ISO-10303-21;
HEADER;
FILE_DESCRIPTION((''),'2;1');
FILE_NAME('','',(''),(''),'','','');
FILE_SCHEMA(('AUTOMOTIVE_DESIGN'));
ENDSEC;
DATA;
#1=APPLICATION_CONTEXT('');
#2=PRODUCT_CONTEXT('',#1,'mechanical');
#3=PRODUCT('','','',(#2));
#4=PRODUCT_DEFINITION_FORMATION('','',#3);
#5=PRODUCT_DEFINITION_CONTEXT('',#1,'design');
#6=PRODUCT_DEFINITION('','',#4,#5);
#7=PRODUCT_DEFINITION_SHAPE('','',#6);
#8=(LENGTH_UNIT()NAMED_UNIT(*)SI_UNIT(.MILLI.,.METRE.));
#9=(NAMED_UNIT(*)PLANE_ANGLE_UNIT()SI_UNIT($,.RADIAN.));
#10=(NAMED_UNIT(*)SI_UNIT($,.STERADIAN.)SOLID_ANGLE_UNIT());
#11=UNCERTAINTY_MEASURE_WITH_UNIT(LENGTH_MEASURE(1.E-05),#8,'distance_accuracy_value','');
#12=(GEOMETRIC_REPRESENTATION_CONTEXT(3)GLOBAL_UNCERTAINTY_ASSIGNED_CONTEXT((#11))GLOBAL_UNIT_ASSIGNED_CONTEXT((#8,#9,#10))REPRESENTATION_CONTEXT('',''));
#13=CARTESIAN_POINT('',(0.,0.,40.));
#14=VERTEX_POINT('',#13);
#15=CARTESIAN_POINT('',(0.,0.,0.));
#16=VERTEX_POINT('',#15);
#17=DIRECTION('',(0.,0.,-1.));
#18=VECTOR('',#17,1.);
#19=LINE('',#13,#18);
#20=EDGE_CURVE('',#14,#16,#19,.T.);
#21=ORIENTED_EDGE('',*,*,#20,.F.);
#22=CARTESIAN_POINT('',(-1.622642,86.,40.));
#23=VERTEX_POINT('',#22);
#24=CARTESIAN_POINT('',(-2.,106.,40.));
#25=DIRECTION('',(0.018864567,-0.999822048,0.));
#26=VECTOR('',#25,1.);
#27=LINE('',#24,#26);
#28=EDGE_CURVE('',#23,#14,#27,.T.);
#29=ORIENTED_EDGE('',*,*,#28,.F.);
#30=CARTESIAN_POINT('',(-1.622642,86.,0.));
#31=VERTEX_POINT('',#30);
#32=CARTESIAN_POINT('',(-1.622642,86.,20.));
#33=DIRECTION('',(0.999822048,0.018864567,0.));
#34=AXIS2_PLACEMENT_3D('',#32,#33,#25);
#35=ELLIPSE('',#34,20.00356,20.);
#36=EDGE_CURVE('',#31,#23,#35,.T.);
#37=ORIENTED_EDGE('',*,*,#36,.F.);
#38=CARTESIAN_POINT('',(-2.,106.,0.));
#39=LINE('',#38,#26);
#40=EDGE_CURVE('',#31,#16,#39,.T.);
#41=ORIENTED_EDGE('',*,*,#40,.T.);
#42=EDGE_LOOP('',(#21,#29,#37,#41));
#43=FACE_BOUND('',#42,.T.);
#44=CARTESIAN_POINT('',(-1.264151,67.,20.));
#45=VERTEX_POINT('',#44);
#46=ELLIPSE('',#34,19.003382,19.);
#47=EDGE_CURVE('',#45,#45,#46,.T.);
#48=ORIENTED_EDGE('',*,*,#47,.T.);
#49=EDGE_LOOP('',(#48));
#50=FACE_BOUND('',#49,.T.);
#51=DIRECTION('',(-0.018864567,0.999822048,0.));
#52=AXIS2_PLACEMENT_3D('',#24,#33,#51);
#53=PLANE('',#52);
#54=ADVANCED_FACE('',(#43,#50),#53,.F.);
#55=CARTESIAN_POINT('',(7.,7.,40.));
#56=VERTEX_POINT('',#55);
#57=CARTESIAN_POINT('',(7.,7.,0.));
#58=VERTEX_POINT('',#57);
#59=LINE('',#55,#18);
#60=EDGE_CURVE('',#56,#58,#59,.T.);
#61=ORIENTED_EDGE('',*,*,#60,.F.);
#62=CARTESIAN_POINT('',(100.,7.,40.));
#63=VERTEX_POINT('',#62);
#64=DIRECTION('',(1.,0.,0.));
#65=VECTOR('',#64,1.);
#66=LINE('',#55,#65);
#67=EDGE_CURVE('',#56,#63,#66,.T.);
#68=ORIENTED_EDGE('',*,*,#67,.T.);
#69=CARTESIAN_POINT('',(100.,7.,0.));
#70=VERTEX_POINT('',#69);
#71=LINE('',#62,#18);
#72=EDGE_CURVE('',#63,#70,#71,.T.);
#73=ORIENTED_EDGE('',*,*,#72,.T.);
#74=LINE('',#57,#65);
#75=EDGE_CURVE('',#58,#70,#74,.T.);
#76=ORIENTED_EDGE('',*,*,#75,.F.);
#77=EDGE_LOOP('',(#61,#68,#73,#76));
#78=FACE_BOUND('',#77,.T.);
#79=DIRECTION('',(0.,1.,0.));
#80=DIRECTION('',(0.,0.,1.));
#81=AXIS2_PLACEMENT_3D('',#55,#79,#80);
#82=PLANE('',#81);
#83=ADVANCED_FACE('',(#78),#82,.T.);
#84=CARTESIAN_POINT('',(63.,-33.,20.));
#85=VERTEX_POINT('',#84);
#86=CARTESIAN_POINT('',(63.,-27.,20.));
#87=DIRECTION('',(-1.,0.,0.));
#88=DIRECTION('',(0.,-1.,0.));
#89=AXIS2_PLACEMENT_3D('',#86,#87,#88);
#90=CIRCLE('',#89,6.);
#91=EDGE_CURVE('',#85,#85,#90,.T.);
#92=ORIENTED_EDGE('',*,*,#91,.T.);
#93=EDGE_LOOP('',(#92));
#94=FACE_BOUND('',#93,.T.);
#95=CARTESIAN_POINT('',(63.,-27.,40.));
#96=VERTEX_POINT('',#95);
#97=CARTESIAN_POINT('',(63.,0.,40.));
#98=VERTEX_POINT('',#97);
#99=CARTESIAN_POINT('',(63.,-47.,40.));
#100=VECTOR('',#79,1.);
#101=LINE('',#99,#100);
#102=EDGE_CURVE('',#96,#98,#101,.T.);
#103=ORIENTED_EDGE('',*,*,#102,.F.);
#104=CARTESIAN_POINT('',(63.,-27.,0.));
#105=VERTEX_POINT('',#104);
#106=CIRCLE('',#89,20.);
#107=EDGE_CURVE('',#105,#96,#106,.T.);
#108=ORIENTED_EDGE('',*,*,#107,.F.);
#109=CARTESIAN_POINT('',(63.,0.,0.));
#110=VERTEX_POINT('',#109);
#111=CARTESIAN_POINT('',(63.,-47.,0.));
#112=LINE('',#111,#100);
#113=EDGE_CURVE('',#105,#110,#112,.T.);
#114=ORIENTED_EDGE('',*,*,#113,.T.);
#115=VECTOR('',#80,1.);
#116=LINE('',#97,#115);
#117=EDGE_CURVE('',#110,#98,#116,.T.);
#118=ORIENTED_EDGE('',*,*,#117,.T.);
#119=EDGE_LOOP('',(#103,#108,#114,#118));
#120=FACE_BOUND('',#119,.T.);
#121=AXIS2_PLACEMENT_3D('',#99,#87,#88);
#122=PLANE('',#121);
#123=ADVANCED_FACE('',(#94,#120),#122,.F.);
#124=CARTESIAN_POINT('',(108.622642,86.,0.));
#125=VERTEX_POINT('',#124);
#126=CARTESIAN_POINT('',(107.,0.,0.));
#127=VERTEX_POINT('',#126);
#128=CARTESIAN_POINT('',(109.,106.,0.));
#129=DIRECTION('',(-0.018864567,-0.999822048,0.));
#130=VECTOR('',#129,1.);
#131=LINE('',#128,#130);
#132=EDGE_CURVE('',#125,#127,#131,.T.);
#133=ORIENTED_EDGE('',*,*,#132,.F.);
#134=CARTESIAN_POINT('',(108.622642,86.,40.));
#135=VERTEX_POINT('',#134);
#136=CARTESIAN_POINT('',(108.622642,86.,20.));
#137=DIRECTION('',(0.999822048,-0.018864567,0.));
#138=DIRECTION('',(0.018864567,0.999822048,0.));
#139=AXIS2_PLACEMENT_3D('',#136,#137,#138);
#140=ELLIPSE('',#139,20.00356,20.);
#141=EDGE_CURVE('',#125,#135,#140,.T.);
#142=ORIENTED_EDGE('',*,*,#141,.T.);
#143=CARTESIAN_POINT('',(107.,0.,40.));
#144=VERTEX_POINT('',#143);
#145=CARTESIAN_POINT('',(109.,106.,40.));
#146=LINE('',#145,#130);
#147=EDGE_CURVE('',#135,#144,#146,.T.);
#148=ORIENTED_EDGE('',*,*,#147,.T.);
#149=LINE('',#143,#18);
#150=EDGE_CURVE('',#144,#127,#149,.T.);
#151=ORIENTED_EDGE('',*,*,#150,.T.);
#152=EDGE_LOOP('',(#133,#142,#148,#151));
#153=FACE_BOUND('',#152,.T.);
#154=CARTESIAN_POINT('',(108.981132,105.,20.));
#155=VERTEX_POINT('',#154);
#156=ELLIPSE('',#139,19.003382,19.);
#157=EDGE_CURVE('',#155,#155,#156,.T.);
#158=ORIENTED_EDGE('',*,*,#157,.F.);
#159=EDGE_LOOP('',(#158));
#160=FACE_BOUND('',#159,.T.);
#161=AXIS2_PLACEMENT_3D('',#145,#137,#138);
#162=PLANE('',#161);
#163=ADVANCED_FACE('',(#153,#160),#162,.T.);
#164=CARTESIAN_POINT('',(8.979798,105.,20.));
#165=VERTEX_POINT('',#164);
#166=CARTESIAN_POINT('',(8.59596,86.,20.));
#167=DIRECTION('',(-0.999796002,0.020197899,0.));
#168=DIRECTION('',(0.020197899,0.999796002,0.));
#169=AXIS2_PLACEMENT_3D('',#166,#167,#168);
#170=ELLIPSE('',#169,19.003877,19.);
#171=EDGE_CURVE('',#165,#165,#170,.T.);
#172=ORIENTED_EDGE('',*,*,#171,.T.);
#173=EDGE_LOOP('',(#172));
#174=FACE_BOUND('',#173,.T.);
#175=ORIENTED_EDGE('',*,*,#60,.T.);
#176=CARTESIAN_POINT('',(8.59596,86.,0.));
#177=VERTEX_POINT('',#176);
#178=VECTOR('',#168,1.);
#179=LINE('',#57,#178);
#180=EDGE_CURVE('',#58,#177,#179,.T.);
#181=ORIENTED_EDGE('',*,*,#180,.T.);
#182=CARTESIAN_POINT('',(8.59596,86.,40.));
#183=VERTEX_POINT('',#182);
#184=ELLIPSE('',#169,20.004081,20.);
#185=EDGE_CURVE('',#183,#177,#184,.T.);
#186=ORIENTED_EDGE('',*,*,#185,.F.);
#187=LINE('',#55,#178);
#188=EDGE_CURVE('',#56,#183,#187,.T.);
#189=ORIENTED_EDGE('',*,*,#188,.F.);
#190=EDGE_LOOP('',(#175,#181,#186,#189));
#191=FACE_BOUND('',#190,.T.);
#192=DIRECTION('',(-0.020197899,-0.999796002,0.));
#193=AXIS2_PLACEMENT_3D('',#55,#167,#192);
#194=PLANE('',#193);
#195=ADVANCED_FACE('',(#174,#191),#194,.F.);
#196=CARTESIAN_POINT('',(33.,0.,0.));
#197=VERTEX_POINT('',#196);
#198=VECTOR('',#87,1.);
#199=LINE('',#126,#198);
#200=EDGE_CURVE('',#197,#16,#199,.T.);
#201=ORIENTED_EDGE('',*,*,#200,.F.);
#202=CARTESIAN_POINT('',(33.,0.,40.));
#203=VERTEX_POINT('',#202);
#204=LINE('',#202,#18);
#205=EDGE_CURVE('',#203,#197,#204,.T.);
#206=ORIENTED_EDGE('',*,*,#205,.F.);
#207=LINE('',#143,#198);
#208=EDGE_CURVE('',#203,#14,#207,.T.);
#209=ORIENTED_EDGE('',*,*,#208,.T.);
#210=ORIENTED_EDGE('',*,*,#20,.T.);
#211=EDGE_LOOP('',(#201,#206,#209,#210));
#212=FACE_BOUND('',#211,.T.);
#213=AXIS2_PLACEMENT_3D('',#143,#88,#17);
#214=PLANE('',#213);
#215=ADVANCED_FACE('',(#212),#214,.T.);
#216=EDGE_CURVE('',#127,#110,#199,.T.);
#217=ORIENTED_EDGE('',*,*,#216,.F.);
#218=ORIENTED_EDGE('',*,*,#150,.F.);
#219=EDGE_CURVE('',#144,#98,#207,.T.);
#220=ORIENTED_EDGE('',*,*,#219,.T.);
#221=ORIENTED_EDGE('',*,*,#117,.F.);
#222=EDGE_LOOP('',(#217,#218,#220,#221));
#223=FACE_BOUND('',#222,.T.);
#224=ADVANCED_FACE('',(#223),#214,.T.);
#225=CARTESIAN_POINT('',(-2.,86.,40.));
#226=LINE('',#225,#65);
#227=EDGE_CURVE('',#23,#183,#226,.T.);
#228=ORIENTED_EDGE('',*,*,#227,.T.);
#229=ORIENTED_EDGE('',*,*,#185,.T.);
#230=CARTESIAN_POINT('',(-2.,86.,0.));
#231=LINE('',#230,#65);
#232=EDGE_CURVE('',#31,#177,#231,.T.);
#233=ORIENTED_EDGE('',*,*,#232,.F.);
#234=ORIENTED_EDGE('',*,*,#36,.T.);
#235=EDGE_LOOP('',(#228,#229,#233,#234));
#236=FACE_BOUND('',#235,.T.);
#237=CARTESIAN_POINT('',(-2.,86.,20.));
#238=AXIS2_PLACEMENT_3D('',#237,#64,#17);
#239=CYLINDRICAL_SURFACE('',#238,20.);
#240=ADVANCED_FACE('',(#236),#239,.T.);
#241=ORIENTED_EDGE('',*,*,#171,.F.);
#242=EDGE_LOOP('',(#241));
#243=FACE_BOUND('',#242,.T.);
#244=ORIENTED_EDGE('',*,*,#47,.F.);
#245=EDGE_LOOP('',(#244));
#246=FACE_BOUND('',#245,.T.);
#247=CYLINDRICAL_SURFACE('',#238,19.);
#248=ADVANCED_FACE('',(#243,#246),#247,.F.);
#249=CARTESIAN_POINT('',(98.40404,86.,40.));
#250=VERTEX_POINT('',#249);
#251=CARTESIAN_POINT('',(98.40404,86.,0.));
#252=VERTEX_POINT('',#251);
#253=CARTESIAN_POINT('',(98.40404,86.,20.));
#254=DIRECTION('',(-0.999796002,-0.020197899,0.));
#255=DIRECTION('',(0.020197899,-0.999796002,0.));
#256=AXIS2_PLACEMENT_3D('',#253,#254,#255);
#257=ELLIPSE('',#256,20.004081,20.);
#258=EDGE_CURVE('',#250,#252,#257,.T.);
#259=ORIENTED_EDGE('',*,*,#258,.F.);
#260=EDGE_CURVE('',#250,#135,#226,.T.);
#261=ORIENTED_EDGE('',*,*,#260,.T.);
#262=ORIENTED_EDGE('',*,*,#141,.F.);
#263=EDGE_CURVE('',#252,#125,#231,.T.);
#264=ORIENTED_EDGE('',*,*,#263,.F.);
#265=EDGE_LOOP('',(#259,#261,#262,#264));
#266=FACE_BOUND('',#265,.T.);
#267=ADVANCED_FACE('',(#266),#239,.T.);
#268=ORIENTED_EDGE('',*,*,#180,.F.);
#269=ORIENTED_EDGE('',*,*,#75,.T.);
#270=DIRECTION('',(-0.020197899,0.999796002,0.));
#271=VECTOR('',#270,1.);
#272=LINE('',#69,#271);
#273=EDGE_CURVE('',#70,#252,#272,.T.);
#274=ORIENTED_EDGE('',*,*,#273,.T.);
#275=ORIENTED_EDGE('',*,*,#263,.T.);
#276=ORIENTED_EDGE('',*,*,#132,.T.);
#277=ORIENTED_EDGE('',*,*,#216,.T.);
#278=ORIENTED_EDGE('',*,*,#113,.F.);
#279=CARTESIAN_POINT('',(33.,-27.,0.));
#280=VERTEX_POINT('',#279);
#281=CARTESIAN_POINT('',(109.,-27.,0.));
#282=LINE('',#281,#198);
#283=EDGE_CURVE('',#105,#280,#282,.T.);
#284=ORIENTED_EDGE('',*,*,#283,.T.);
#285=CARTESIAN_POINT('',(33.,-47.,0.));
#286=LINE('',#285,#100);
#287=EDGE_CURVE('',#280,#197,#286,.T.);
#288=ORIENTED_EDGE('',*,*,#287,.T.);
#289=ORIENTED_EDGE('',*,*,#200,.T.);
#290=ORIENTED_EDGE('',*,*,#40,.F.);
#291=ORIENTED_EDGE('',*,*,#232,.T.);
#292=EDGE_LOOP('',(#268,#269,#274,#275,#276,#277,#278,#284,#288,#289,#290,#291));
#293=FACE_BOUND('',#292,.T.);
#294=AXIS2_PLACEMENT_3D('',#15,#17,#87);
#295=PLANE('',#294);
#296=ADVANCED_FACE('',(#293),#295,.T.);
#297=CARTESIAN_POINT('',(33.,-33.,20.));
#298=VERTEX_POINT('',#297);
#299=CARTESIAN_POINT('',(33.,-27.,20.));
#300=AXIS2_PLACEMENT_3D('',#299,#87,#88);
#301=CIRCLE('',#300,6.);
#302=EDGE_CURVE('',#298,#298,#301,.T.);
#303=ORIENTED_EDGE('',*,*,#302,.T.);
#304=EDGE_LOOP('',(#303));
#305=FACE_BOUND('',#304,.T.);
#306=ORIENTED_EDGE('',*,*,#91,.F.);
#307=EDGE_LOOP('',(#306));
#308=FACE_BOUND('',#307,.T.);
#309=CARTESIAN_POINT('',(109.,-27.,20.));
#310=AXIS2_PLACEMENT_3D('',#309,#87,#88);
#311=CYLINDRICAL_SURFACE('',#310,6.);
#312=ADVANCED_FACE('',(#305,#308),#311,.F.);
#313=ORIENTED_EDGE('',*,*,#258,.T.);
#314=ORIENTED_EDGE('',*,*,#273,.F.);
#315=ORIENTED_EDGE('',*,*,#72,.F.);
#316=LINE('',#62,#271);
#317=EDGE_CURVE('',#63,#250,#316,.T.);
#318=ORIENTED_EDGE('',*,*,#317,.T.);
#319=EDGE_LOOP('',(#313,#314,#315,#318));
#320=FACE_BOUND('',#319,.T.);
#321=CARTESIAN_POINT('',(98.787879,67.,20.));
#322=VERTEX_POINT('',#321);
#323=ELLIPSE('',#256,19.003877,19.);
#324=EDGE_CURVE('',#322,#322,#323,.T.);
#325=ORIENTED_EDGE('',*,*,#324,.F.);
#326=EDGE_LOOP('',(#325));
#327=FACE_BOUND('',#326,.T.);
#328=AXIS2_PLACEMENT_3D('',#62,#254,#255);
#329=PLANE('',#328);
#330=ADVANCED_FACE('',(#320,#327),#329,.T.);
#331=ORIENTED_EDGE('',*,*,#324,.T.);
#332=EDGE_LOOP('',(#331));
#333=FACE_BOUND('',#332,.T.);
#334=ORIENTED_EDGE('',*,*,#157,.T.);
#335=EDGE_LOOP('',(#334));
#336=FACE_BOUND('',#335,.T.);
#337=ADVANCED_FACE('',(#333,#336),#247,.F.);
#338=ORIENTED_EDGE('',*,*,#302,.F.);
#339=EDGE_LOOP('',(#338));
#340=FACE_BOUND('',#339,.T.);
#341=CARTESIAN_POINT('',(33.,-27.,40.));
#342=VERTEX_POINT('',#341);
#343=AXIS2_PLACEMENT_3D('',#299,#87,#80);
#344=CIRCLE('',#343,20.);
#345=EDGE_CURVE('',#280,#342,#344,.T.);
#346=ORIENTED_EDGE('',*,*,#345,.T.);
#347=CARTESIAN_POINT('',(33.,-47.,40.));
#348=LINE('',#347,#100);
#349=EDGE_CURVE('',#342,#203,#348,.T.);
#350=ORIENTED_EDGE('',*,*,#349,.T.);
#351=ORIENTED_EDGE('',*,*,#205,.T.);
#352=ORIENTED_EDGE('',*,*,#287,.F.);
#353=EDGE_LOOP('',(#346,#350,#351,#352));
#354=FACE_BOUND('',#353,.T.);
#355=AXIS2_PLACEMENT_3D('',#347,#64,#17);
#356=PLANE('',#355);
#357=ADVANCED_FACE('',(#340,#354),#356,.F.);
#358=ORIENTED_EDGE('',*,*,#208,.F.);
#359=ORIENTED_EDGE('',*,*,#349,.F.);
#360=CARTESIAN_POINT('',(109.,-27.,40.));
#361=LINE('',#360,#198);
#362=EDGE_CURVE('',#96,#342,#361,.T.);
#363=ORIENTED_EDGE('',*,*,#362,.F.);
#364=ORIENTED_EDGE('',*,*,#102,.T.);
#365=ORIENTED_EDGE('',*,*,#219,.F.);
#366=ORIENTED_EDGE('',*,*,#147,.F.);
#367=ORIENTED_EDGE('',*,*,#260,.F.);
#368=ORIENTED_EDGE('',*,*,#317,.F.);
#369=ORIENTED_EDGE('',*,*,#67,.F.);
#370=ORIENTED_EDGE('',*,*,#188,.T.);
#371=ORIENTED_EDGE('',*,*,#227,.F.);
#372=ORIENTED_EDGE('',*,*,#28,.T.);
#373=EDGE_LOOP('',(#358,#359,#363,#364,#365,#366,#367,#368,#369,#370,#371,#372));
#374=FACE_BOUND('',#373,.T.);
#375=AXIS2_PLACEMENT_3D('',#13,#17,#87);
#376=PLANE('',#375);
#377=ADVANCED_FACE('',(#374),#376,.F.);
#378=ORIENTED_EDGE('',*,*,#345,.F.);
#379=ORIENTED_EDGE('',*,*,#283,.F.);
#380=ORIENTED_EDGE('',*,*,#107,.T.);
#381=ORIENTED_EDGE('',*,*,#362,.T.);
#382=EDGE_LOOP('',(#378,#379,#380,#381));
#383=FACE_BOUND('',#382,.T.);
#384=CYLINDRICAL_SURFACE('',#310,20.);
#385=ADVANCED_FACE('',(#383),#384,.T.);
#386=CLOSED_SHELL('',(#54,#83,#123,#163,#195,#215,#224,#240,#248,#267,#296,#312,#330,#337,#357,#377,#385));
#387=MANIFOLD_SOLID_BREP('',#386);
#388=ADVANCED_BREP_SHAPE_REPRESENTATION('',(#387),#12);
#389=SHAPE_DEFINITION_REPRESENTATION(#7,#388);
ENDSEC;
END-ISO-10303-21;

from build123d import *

# Parameters (mm, degrees)
BOSS_EXTRU_1_DEPTH           = 40
ENL_V_MAT_EXTRU_1_DEPTH      = 158.898579133
ENL_V_MAT_EXTRU_1_DEPTH_BACK = 158.898579133
ESQUISSE2_R                  = 19
ESQUISSE3_W                  = 30
ESQUISSE3_H                  = 40
BOSS_EXTRU_2_DEPTH           = 47
ENL_V_MAT_EXTRU_2_DEPTH      = 137.425804011
ESQUISSE6_R                  = 6
ENL_V_MAT_EXTRU_3_DEPTH      = 137.425804011


with BuildPart() as part:
    # Esquisse1 → Boss.-Extru.1 (new body)
    with BuildSketch(Plane.XY):
        Polygon((7, 7), (100, 7), (98, 106), (109, 106), (107, 0), (0, 0), (-2, 106), (9, 106), align=None)
    extrude(amount=BOSS_EXTRU_1_DEPTH)

    # Esquisse2 → Enlèv. mat.-Extru.1 (cut, two sides: drawn at the far end of the back side and taken through both)
    with BuildSketch(Plane(origin=(0, -1.009164524, 0), x_dir=(0, 0, -1), z_dir=(1, 0, 0)).offset(-ENL_V_MAT_EXTRU_1_DEPTH_BACK)):
        with Locations(Location((-20, 87.009164524, 0), (0, 0, 90))):
            Circle(ESQUISSE2_R)
        with BuildLine():
            Line((-40, 107.009164524), (-40, 87.009164524))
            ThreePointArc((-40, 87.009164524), (-34.142135624, 101.151300148), (-20, 107.009164524))
            Line((-20, 107.009164524), (-40, 107.009164524))
        make_face()
        with BuildLine():
            ThreePointArc((-20, 107.009164524), (-5.857864376, 101.151300148), (0, 87.009164524))
            Line((0, 87.009164524), (0, 107.009164524))
            Line((0, 107.009164524), (-20, 107.009164524))
        make_face()
    extrude(amount=ENL_V_MAT_EXTRU_1_DEPTH + ENL_V_MAT_EXTRU_1_DEPTH_BACK, mode=Mode.SUBTRACT)

    # Esquisse3 → Boss.-Extru.2 (add)
    with BuildSketch(Plane.XZ):
        with Locations((48, 20)):
            Rectangle(ESQUISSE3_W, ESQUISSE3_H)
    extrude(amount=BOSS_EXTRU_2_DEPTH)

    # Esquisse5 → Enlèv. mat.-Extru.2 (cut, through all)
    with BuildSketch(Plane.ZY.offset(-33)):
        with BuildLine():
            Line((20, -47), (40, -47))
            Line((40, -47), (40, -27))
            ThreePointArc((40, -27), (34.142135624, -41.142135624), (20, -47))
        make_face()
        with BuildLine():
            Line((0, -47), (20, -47))
            ThreePointArc((20, -47), (5.857864376, -41.142135624), (0, -27))
            Line((0, -27), (0, -47))
        make_face()
    extrude(amount=-ENL_V_MAT_EXTRU_2_DEPTH, mode=Mode.SUBTRACT)

    # Esquisse6 → Enlèv. mat.-Extru.3 (cut, through all)
    with BuildSketch(Plane.ZY.offset(-33)):
        with Locations(Location((20, -27, 0), (0, 0, 270))):
            Circle(ESQUISSE6_R)
    extrude(amount=-ENL_V_MAT_EXTRU_3_DEPTH, mode=Mode.SUBTRACT)


solid = part.part
